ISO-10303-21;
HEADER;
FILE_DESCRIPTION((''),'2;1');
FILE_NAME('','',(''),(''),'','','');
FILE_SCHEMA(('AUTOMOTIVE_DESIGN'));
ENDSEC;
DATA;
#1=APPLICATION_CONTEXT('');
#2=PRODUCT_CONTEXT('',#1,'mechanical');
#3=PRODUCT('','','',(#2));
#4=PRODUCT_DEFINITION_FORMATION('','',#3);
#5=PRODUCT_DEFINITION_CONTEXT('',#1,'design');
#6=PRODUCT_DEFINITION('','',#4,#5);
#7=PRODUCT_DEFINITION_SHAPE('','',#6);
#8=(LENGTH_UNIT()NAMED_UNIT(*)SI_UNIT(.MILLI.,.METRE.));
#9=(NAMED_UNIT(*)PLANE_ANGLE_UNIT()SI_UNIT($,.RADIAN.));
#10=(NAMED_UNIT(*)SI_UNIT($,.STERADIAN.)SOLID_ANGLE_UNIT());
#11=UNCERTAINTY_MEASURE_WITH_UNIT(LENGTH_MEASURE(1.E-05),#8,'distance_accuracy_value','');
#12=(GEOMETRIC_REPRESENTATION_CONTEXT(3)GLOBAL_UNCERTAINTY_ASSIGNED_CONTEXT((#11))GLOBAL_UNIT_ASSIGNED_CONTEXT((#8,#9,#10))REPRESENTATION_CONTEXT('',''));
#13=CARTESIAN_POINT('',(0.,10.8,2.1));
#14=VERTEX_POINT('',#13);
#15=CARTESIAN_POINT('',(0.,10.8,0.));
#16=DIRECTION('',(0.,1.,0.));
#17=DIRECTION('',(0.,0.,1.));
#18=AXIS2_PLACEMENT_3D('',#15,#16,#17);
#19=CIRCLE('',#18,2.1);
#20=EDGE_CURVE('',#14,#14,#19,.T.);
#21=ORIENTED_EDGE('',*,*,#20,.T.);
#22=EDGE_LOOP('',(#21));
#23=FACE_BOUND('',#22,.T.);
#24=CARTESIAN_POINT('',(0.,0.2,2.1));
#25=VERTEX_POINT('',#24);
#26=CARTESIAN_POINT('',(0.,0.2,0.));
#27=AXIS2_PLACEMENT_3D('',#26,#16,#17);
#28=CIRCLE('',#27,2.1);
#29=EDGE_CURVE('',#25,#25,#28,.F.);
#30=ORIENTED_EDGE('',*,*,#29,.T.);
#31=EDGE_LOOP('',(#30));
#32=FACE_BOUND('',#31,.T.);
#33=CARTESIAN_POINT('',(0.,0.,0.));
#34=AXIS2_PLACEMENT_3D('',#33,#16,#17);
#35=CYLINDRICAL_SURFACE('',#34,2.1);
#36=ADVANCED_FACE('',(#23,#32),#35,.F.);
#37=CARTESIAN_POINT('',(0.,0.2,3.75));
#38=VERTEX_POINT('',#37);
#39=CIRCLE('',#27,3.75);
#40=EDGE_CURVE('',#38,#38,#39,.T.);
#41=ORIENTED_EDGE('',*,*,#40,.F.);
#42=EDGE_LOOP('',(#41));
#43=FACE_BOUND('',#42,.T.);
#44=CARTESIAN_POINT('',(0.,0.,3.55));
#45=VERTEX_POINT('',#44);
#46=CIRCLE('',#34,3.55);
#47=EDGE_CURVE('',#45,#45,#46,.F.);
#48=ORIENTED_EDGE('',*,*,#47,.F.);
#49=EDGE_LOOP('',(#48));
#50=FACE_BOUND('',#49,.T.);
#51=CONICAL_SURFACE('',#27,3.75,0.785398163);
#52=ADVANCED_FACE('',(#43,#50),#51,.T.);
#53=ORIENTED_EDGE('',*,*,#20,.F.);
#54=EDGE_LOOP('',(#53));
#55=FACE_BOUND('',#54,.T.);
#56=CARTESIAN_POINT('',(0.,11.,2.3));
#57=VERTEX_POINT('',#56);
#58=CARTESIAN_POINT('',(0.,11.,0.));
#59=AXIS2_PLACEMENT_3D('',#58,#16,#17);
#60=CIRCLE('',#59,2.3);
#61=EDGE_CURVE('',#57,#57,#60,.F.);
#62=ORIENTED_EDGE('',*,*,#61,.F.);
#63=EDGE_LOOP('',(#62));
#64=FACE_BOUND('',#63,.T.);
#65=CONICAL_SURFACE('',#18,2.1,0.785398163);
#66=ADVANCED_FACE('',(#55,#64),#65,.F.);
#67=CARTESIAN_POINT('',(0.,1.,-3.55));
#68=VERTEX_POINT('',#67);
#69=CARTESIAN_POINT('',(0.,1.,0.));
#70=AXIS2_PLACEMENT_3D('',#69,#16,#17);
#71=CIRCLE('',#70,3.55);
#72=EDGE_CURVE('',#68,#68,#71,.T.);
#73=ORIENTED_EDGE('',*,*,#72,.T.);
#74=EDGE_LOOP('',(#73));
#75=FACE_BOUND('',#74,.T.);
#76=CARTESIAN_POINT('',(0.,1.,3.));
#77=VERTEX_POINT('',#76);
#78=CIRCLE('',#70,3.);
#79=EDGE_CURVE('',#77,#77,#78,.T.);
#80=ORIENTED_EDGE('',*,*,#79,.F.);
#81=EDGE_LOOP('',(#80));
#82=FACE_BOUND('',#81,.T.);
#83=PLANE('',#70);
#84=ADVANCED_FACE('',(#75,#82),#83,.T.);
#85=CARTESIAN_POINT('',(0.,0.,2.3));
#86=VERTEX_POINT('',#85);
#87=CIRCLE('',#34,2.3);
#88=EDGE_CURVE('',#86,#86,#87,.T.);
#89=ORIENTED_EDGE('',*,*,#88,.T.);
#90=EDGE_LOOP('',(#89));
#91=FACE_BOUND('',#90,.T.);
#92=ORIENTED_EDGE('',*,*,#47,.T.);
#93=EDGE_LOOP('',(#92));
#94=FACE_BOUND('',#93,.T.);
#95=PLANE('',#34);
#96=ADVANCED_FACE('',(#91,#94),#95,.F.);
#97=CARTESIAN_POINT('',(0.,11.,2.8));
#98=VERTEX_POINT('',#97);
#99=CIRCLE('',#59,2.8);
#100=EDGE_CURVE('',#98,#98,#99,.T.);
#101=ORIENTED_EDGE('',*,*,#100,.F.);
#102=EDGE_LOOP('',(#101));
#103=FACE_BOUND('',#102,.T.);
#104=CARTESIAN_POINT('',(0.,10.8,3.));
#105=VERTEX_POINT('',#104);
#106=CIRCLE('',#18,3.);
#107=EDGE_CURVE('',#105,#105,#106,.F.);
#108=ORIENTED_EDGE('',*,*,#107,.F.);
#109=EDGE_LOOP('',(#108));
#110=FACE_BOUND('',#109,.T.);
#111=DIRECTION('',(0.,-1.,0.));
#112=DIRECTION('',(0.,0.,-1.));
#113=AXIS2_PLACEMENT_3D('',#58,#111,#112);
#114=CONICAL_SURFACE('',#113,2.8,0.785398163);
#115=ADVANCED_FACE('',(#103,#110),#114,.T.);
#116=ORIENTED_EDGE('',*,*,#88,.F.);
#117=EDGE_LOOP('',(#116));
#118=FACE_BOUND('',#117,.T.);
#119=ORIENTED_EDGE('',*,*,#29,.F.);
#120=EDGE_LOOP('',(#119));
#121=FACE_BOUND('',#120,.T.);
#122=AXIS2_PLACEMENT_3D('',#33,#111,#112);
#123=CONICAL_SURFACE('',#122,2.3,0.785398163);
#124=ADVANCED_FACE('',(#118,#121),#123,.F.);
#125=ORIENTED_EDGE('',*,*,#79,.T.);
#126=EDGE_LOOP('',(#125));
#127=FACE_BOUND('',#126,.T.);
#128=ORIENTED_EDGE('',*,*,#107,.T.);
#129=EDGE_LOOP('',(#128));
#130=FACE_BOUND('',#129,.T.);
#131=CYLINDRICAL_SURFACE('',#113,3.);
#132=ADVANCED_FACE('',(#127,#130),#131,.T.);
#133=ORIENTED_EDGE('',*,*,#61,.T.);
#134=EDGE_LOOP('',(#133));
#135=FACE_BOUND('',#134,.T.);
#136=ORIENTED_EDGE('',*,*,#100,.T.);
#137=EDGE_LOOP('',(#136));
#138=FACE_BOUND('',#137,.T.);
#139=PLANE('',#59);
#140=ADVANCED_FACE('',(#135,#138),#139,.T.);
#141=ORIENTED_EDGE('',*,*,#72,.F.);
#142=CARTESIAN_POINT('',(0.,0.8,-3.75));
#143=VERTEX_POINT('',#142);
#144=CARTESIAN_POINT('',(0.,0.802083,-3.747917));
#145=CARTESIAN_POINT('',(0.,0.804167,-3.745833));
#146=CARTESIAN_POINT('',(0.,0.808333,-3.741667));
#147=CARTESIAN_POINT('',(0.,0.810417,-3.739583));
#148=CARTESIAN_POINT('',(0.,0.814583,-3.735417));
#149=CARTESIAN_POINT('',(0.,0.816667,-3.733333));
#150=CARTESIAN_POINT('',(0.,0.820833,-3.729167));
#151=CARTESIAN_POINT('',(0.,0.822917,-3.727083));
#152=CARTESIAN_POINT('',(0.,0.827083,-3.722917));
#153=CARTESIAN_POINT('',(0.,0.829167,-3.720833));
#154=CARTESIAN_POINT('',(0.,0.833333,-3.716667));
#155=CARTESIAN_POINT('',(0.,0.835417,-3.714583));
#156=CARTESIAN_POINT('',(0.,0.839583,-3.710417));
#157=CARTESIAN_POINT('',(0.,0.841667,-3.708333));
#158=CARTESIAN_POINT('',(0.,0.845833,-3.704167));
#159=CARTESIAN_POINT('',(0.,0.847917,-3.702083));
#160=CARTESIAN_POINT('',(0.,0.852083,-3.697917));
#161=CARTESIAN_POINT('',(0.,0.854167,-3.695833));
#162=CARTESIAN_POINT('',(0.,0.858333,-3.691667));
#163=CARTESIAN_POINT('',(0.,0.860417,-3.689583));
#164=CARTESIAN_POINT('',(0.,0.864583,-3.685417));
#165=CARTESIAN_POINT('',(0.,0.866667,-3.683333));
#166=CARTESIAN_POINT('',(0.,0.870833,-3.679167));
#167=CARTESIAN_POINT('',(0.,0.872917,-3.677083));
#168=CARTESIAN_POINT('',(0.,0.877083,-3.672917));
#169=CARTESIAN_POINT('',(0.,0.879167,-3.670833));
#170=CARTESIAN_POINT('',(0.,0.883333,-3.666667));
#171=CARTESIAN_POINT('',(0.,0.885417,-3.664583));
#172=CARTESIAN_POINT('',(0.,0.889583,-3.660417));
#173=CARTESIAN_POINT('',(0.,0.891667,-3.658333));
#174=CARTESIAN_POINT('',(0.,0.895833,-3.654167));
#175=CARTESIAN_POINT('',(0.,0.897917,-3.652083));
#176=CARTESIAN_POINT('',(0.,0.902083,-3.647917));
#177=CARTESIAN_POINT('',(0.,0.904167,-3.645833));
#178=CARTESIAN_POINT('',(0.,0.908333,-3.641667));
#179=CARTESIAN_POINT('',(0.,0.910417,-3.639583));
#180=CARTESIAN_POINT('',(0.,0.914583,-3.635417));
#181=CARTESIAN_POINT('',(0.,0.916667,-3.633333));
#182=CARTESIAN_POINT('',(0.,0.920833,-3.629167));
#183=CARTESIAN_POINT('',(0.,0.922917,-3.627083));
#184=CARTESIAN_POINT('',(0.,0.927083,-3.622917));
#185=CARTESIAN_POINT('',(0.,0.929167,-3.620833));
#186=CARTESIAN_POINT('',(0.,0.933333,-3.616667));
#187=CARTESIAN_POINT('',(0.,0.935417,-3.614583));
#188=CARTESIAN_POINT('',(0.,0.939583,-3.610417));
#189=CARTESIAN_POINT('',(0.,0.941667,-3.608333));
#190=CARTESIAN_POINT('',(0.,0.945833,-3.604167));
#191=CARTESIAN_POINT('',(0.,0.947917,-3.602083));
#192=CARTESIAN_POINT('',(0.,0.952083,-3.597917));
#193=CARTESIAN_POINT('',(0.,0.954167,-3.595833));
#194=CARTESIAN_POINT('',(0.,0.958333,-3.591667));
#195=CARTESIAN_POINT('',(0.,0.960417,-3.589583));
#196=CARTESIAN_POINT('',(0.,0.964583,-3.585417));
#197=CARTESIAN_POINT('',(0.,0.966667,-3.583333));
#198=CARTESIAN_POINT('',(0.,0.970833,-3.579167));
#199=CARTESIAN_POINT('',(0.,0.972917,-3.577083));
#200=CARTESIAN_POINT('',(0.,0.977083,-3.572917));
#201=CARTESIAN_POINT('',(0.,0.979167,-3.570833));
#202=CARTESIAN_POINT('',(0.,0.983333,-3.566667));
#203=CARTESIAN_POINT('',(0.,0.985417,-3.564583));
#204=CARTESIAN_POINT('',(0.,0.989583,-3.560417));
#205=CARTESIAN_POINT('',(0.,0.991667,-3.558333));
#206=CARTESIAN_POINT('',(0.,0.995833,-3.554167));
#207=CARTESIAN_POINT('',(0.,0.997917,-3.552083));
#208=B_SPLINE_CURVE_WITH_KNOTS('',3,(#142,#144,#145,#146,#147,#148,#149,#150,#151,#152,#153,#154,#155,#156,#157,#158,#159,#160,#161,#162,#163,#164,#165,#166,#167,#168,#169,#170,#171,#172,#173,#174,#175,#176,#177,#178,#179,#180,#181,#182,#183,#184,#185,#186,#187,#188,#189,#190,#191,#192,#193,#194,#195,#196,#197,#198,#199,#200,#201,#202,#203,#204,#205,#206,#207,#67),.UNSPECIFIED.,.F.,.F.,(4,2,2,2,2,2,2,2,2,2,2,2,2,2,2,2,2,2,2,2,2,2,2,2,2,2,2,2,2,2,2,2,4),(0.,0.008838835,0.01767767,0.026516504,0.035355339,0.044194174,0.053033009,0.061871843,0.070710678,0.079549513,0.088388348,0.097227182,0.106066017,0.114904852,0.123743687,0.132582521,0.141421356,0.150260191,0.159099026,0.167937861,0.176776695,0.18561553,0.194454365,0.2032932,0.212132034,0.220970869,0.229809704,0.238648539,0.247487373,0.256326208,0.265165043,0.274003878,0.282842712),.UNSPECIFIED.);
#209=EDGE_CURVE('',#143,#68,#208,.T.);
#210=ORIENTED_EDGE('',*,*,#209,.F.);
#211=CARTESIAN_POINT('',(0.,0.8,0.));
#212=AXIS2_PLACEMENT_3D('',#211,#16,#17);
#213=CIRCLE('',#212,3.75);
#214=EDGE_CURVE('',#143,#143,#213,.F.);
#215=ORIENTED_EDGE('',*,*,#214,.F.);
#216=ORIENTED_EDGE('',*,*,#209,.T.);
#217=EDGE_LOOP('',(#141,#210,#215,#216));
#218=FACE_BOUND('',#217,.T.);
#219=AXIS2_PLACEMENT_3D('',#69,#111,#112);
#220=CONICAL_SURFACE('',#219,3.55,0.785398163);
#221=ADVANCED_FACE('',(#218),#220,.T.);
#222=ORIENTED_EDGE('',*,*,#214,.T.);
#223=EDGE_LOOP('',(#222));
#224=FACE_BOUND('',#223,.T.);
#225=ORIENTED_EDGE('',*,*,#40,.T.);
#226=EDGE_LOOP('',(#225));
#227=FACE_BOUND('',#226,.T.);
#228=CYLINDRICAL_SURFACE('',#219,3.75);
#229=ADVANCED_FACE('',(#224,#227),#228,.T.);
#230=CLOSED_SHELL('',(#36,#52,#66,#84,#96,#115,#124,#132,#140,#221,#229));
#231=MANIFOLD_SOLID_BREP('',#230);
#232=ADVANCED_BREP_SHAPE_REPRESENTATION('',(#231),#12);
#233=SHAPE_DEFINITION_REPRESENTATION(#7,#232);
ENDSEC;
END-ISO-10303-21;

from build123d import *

# Parameters (mm, degrees)
SKETCH_1_R          = 3.75
EXTRUDE_1_DEPTH     = 1
SKETCH_2_R          = 3
EXTRUDE_2_DEPTH     = 10
SKETCH_3_R          = 2.1
CUT_EXTRUDE_1_DEPTH = 13.211674742
CHAMFER_1_SIZE      = 0.2
CHAMFER_2_SIZE      = 0.2


with BuildPart() as part:
    # 草图1 → 凸台-拉伸1 (new body)
    with BuildSketch(Plane(origin=(0, 0, 0), x_dir=(1, 0, 0), z_dir=(0, 1, 0))):
        with Locations(Location((0, 0, 0), (0, 0, 270))):
            Circle(SKETCH_1_R)
    extrude(amount=EXTRUDE_1_DEPTH)

    # 草图2 → 凸台-拉伸2 (add)
    with BuildSketch(Plane(origin=(0, 1, 0), x_dir=(1, 0, 0), z_dir=(0, 1, 0))):
        with Locations(Location((0, 0, 0), (0, 0, 270))):
            Circle(SKETCH_2_R)
    extrude(amount=EXTRUDE_2_DEPTH)

    # 草图3 → 切除-拉伸1 (cut, through all)
    with BuildSketch(Plane(origin=(0, 11, 0), x_dir=(1, 0, 0), z_dir=(0, 1, 0))):
        with Locations(Location((0, 0, 0), (0, 0, 270))):
            Circle(SKETCH_3_R)
    extrude(amount=-CUT_EXTRUDE_1_DEPTH, mode=Mode.SUBTRACT)

    # 倒角1
    chamfer_1_edges = [part.edges().sort_by_distance(p)[0] for p in [
        (0, 1, -3.75),
        (0, 11, -3),
    ]]
    chamfer(chamfer_1_edges, length=CHAMFER_1_SIZE)

    # 倒角2
    chamfer_2_edges = [part.edges().sort_by_distance(p)[0] for p in [
        (0, 0, -2.1),
        (0, 11, -2.1),
        (0, 0, -3.75),
    ]]
    chamfer(chamfer_2_edges, length=CHAMFER_2_SIZE)


solid = part.part
